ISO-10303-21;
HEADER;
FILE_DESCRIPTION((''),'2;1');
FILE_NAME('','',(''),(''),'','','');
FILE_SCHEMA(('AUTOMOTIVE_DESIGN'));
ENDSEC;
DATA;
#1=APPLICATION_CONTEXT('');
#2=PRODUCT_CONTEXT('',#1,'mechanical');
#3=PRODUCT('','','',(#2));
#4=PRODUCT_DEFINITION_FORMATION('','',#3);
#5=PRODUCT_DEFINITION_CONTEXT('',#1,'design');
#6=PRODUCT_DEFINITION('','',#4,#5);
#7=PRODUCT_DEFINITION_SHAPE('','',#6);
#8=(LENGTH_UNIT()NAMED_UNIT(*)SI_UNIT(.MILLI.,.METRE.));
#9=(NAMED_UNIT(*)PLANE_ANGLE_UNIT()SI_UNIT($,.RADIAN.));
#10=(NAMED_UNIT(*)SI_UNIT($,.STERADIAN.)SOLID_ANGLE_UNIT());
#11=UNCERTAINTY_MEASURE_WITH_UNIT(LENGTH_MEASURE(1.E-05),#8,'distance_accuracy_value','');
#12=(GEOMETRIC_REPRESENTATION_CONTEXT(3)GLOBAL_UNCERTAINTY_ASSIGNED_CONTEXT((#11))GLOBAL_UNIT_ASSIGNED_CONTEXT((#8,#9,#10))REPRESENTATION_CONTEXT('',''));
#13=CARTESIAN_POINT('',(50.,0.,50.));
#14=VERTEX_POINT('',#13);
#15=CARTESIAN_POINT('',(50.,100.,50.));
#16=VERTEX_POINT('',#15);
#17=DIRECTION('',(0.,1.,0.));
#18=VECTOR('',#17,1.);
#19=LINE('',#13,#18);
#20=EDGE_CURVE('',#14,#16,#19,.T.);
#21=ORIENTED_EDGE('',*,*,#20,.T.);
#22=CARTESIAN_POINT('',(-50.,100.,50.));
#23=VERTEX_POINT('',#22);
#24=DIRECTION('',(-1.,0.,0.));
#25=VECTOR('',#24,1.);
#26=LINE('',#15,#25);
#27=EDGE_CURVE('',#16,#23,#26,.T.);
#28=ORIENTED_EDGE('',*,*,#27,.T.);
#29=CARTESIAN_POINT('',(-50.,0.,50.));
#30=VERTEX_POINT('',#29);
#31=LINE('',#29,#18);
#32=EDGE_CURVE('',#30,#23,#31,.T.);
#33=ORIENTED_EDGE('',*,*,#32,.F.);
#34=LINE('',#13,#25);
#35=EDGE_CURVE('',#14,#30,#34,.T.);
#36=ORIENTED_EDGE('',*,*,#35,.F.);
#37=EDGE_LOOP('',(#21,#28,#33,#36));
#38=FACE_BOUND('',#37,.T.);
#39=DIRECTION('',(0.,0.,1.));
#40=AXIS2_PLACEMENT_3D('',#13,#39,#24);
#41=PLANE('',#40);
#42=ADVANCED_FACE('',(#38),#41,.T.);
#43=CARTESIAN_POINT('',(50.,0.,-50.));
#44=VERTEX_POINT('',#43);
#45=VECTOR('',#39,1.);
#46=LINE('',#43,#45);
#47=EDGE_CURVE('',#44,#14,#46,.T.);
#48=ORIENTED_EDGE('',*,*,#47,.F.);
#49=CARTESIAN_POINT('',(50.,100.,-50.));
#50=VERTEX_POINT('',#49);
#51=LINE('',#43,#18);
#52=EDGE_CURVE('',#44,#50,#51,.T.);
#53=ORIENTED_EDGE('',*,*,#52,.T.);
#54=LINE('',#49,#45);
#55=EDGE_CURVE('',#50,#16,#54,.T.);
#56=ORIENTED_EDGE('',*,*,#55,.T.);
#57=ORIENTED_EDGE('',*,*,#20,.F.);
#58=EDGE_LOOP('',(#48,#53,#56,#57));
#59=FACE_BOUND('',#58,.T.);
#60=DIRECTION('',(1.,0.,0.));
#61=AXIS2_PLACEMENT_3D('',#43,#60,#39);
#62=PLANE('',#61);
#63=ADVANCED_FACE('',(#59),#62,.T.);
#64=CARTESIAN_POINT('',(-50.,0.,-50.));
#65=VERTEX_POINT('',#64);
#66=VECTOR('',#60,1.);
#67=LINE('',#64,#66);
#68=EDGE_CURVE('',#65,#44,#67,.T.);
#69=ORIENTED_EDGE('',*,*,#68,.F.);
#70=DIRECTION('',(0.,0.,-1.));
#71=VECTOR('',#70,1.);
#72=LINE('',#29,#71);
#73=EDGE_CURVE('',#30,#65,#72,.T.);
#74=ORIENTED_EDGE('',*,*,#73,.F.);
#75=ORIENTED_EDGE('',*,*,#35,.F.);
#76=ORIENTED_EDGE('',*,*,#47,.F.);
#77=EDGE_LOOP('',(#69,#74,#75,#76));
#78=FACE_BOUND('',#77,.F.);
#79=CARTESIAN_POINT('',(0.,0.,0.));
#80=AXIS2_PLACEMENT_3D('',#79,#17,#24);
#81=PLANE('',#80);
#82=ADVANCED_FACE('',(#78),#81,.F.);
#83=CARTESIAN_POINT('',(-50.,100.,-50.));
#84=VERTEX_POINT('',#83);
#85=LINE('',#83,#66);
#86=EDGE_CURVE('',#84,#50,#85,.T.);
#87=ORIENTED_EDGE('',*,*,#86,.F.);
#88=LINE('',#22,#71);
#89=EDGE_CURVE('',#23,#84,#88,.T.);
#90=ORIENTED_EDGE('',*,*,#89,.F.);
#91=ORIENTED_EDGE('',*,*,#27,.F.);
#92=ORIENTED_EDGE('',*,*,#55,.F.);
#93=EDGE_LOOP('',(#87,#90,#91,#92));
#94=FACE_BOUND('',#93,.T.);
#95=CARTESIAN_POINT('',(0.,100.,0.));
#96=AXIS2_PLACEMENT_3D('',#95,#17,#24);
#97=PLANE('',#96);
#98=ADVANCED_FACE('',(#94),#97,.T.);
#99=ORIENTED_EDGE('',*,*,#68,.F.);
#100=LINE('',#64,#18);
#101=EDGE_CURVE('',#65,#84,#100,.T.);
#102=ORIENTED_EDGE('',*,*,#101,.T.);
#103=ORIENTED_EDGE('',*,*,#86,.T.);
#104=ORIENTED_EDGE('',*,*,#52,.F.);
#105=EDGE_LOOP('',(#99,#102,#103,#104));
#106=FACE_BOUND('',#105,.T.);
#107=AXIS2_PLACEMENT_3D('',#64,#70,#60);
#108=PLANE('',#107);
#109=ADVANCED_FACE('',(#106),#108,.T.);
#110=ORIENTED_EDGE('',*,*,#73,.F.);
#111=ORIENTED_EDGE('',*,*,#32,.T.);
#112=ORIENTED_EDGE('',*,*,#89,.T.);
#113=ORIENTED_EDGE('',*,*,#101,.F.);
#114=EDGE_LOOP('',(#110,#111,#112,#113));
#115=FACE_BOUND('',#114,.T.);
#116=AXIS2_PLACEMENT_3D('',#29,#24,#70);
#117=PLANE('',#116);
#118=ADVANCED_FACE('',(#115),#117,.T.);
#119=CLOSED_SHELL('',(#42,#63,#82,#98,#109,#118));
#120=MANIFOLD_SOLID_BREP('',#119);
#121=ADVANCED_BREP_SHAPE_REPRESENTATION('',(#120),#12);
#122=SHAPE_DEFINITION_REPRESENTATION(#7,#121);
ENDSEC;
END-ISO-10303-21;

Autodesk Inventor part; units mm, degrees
ref_plane "YZ Plane" through (0, 0, 0) normal (1, 0, 0) x (0, 1, 0)
ref_plane "XZ Plane" through (0, 0, 0) normal (0, 1, 0) x (-1, 0, 0)
ref_plane "XY Plane" through (0, 0, 0) normal (0, 0, 1) x (1, 0, 0)
sketch "Sketch1" plane through (0, 0, 0) normal (0, 1, 0) x (-1, 0, 0)
  line L0 (-50, 50) -> (50, 50)
  line L1 (50, 50) -> (50, -50)
  line L2 (50, -50) -> (-50, -50)
  line L3 (-50, -50) -> (-50, 50)
  line L4 (-50, 50) -> (50, -50) construction
  line L5 (50, 50) -> (-50, -50) construction
  point P0 (0, 0)
  dimension "d0" = 100
  dimension "d1" = 100
extrude "Extrusion1" add sketch "Sketch1" along normal blind 100
properties part number "Cube" material "Aluminum 6061"
